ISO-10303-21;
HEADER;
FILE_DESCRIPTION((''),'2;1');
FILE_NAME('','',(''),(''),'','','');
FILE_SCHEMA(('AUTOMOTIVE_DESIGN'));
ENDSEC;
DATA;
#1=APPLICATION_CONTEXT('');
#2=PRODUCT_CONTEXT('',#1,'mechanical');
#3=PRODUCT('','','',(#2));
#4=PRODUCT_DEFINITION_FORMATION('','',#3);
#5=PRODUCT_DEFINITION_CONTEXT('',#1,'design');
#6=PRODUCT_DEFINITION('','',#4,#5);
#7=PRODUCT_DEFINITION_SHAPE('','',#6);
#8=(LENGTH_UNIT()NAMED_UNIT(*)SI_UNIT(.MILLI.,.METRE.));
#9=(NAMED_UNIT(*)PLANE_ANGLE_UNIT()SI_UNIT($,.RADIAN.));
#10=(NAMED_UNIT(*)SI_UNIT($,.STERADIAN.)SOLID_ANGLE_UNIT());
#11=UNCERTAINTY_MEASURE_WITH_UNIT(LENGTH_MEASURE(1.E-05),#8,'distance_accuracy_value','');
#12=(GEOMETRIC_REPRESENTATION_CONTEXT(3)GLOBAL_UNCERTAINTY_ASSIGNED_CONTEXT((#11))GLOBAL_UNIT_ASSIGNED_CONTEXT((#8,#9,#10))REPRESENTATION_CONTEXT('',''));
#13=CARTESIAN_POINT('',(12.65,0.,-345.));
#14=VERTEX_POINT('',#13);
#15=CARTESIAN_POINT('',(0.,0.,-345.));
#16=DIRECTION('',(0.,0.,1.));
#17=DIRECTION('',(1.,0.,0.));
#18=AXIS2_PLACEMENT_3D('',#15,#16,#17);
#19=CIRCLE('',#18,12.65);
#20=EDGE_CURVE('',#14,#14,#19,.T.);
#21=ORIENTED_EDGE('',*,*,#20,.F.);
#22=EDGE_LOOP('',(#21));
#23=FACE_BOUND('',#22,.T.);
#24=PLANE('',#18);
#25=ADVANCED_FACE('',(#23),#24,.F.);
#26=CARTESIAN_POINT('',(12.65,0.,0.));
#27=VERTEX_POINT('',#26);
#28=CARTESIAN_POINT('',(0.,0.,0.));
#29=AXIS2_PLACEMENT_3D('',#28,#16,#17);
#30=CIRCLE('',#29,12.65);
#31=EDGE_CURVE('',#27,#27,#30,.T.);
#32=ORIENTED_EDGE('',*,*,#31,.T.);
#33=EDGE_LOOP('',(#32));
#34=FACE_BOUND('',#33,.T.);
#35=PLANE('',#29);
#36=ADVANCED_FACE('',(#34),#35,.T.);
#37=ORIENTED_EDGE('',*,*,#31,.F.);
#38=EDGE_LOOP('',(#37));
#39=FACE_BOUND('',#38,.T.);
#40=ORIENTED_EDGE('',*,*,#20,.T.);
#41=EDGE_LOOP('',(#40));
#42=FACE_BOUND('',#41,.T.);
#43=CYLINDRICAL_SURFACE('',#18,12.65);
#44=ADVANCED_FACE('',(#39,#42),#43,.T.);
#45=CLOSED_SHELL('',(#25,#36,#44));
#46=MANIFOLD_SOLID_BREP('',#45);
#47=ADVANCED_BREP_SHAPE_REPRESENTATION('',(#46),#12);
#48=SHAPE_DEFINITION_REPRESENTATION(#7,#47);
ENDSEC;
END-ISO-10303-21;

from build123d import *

# Parameters (mm, degrees)
SKETCH1_R           = 12.65
BOSS_EXTRUDE1_DEPTH = 345


with BuildPart() as part:
    # Sketch1 → Boss-Extrude1 (new body)
    with BuildSketch(Plane.XY):
        Circle(SKETCH1_R)
    extrude(amount=-BOSS_EXTRUDE1_DEPTH)


solid = part.part
